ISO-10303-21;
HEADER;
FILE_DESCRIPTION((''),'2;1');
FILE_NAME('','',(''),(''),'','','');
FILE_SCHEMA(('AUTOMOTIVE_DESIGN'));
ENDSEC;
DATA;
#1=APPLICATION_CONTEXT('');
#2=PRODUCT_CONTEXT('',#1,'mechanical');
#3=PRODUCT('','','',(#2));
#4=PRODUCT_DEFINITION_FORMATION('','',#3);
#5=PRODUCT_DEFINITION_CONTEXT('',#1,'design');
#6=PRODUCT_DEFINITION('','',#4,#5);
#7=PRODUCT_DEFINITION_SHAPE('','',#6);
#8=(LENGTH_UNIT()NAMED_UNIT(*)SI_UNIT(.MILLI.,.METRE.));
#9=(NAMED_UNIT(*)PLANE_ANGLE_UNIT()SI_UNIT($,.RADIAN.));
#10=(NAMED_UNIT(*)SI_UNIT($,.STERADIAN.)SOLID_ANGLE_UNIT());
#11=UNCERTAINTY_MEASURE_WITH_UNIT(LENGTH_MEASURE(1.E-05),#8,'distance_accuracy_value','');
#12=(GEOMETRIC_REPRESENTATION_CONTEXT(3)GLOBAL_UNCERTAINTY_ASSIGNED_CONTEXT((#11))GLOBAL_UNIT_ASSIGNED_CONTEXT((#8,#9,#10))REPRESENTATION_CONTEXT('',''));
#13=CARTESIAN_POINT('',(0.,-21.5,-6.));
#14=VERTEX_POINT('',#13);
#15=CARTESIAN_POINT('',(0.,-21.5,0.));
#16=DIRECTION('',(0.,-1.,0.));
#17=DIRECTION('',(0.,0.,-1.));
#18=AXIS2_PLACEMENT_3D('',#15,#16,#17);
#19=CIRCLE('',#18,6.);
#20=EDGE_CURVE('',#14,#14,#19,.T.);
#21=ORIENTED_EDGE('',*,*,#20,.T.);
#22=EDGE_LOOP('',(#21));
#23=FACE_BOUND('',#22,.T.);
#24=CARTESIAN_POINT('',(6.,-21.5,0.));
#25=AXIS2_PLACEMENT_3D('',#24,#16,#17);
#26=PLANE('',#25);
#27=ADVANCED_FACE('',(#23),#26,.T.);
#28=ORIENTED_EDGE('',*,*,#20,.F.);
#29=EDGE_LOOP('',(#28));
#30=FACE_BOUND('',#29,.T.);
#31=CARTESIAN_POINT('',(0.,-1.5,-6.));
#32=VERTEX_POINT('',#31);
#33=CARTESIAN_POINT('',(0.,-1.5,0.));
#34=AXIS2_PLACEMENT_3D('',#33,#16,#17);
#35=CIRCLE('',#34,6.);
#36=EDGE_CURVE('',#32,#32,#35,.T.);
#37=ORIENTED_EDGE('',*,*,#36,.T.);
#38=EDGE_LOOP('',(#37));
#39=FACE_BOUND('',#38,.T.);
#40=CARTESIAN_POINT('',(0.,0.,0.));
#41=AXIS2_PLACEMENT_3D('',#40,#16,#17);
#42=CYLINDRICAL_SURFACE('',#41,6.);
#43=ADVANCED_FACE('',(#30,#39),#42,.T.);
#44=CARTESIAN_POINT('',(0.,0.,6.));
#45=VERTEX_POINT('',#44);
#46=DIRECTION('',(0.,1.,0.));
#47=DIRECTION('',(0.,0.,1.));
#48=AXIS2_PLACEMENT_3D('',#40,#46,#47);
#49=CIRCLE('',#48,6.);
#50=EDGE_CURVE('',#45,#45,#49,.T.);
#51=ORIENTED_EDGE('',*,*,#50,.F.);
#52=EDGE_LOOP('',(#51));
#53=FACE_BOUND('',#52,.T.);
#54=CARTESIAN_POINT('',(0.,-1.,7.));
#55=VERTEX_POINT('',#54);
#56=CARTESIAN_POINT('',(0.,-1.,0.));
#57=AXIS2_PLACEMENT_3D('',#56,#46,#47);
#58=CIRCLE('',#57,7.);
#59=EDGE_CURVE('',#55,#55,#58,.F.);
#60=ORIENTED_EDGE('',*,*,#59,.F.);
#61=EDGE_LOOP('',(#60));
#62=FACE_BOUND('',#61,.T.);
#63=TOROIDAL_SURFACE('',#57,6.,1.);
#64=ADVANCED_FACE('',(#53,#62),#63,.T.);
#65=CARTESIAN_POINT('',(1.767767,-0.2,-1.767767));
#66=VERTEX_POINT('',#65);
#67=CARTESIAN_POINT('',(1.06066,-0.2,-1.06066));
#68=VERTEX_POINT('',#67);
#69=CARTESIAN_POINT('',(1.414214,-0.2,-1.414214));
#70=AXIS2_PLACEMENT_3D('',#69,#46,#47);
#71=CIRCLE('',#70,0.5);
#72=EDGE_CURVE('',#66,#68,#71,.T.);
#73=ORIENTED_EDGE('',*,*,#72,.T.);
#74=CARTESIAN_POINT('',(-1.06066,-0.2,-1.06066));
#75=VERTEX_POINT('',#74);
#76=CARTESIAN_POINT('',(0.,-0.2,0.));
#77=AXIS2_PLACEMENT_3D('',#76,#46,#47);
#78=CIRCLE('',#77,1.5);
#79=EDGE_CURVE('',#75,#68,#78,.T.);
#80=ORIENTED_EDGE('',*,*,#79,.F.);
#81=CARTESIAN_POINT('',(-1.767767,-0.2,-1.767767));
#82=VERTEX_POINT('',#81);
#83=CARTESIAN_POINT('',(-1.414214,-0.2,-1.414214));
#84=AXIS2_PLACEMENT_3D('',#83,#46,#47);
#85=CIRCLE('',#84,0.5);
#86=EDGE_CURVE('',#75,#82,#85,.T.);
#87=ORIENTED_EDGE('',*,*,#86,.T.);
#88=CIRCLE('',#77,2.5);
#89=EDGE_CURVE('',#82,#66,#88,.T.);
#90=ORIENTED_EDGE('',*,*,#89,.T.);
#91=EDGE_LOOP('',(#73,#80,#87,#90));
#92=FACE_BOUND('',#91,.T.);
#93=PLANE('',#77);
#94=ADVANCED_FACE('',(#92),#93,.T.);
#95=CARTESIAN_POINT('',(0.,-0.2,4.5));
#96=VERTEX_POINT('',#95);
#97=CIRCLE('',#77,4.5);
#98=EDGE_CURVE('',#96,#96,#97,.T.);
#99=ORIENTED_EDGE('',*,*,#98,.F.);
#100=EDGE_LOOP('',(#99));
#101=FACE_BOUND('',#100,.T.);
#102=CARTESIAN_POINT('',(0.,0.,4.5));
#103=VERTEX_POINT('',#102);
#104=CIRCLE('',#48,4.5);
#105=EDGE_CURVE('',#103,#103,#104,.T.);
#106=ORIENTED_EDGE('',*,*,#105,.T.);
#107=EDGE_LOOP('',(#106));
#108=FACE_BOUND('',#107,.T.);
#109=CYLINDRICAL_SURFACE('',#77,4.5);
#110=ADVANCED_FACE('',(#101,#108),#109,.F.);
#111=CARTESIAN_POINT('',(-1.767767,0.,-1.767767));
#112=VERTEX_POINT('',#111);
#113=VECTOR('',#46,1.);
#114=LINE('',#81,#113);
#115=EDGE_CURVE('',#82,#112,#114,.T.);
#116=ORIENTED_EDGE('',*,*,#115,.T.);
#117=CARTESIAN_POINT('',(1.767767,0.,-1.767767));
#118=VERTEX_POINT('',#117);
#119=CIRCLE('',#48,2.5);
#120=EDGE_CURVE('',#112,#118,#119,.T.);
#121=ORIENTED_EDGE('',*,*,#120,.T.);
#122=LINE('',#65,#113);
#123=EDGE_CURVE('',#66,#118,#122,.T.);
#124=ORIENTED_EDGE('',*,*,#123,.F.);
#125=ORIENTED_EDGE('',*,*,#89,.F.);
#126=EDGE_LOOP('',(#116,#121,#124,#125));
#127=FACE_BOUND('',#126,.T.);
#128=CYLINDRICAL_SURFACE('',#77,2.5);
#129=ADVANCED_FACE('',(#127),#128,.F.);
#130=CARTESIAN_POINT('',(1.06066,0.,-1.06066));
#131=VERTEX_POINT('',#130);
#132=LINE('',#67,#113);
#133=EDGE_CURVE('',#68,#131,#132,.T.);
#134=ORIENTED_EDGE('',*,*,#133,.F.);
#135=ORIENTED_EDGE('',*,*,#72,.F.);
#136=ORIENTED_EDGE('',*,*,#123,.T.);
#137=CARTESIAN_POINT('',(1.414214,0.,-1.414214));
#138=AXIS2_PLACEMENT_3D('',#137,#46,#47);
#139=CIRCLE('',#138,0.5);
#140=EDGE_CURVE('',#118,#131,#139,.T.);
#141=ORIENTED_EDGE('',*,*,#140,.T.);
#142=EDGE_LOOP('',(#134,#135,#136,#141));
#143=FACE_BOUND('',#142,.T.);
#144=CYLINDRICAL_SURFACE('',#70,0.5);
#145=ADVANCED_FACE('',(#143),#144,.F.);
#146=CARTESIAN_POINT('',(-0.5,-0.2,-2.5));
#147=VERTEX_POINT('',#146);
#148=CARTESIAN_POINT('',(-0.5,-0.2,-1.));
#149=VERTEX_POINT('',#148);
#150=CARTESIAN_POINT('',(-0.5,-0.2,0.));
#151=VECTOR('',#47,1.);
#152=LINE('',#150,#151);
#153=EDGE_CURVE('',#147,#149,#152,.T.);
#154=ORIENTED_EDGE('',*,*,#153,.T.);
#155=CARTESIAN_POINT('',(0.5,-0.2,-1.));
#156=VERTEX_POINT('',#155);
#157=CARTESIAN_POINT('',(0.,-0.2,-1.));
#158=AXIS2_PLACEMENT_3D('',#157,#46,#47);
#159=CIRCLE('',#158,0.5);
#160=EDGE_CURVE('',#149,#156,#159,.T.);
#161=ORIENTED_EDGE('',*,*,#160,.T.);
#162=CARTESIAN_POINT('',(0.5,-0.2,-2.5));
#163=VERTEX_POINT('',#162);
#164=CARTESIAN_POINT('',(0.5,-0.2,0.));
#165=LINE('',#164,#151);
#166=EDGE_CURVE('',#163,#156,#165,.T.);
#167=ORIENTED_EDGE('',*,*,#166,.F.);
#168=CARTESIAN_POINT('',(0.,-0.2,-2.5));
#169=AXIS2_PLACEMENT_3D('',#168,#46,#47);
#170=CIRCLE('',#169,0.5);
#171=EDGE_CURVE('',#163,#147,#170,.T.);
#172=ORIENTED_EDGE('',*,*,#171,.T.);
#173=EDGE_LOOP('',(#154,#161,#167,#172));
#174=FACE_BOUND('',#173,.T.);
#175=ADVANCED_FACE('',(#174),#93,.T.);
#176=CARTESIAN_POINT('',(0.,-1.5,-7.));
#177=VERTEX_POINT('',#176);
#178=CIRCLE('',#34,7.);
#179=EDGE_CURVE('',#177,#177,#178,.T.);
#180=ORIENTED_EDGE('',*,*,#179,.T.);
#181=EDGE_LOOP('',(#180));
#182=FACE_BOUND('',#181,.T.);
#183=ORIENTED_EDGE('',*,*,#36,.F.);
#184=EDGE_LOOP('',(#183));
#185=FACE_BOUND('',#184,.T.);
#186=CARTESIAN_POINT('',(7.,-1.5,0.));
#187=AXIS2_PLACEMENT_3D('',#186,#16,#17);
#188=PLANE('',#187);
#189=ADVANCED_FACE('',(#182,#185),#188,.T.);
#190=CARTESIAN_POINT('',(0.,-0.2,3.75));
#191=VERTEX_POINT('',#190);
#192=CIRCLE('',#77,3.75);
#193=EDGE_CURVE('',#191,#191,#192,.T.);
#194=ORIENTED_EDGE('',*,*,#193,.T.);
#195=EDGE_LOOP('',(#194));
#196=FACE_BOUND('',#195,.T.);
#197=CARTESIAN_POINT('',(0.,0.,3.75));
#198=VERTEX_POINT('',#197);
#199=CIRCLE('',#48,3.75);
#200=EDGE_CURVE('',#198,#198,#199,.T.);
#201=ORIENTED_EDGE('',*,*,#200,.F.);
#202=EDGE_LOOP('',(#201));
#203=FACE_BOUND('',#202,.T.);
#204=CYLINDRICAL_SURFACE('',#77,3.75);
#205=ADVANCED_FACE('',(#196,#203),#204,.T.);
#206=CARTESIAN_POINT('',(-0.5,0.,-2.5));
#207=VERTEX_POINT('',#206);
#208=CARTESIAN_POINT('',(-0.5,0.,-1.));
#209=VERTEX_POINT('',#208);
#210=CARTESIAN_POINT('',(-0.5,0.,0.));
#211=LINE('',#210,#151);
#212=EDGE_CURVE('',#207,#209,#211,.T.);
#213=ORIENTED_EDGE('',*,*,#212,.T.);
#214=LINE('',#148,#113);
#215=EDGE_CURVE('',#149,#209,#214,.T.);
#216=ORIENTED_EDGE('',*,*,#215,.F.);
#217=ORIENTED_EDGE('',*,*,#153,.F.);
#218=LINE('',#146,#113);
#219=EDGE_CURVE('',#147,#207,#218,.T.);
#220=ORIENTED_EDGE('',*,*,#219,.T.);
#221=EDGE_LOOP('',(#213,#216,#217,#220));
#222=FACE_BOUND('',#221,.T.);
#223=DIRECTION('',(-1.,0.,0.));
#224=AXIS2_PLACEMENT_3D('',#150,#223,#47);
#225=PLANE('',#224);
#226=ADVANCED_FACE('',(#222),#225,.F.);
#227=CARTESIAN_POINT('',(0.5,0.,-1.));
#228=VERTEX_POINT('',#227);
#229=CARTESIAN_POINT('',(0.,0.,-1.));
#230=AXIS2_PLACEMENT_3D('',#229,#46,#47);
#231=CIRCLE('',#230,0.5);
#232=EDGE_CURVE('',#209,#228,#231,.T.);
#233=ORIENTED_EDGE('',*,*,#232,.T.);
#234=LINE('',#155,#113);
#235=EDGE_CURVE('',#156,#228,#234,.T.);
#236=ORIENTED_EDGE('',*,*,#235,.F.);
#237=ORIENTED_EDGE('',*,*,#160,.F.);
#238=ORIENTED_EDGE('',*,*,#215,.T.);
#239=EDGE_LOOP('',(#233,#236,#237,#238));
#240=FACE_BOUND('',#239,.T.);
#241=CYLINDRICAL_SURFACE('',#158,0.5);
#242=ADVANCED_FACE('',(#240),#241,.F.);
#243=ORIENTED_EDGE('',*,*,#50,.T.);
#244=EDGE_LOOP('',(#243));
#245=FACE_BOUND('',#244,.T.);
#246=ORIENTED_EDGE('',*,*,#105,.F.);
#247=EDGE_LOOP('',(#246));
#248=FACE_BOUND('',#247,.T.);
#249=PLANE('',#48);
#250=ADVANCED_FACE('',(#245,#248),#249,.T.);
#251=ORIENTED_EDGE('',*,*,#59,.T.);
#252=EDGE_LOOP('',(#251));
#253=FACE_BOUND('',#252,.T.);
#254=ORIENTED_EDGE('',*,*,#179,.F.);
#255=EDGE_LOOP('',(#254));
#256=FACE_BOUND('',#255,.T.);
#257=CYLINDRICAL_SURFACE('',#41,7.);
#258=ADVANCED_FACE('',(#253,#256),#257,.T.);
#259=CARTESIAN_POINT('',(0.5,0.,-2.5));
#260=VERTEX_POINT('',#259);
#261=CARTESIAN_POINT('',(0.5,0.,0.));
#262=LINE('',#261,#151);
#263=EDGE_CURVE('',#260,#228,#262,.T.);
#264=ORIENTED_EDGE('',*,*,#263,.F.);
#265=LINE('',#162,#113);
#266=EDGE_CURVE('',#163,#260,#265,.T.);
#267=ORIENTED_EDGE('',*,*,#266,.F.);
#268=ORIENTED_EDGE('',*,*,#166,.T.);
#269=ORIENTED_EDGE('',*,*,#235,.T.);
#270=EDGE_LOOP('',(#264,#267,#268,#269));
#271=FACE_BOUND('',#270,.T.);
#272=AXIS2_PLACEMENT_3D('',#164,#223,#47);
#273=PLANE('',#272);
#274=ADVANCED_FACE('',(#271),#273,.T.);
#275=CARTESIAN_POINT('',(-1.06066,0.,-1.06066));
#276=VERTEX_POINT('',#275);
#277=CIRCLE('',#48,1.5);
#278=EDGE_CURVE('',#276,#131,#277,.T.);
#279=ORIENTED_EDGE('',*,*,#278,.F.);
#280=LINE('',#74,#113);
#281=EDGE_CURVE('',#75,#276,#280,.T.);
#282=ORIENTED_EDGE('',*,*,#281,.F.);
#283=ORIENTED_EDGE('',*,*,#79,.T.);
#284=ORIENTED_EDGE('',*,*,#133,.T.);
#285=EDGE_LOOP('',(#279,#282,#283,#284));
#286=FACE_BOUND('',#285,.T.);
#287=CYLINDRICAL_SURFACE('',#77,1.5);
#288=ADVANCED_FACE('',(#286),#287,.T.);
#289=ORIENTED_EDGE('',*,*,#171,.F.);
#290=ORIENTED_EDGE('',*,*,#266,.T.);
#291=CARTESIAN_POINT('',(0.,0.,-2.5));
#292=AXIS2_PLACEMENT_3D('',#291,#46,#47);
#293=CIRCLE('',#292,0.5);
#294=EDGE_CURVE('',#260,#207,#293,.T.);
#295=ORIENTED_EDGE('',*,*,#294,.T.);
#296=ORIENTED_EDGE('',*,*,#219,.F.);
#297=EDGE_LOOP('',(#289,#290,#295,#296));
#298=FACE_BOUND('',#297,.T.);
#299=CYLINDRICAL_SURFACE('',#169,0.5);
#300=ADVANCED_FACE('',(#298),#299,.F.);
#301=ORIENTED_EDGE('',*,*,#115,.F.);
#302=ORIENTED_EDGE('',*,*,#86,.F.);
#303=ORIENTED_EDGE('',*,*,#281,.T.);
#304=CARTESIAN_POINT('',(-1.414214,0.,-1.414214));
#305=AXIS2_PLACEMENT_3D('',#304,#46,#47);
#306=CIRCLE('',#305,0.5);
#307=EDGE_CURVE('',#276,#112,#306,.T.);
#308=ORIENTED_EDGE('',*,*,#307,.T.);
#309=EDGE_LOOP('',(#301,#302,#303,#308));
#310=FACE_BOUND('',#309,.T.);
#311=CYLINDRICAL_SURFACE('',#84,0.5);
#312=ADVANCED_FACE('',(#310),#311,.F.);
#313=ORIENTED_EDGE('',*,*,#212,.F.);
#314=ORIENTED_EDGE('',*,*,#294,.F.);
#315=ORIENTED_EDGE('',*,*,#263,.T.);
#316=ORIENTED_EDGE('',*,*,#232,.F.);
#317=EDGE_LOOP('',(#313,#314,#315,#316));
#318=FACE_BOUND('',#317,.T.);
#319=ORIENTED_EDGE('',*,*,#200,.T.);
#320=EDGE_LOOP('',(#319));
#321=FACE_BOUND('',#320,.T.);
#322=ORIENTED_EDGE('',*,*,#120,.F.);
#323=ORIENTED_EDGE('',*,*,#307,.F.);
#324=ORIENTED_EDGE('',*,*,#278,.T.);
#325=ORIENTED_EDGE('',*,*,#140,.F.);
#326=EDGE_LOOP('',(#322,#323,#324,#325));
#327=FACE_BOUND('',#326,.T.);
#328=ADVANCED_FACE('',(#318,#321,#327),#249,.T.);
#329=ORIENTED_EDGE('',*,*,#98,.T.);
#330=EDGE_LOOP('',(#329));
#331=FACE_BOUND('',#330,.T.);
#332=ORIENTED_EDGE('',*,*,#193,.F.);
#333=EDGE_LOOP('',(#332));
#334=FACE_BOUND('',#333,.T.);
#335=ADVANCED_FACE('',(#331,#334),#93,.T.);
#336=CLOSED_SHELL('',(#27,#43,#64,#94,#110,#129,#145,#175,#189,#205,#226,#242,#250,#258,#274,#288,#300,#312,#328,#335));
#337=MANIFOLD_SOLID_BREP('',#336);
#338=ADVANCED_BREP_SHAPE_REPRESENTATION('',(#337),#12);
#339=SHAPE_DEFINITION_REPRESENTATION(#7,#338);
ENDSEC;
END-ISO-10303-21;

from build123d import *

# Parameters (mm, degrees)
FILLET_1_R          = 1
SKETCH_2_R          = 4.5
SKETCH_2_R_2        = 3.75
CUT_EXTRUDE_1_DEPTH = 0.2


with BuildPart() as part:
    # 草图1 → 旋转1 (revolve)
    with BuildSketch(Plane.XY, mode=Mode.PRIVATE) as revolve_1_sk:
        Polygon((0, 0), (7, 0), (7, -1.5), (6, -1.5), (6, -21.5), (0, -21.5), align=None)
    revolve(revolve_1_sk.sketch.rotate(Axis((0, 0, 0), (0, 1, 0)), 90), axis=Axis((0, 0, 0), (0, 1, 0)))

    # 圆角1
    fillet_1_edges = [part.edges().sort_by_distance(p)[0] for p in [
        (0, 0, 7),
    ]]
    fillet(fillet_1_edges, radius=FILLET_1_R)

    # 草图2 → 切除-拉伸1 (cut)
    # profile 1 of 3: a face of its own
    with BuildSketch(Plane(origin=(0, 0, 0), x_dir=(1, 0, 0), z_dir=(0, 1, 0))):
        with Locations(Location((0, 0, 0), (0, 0, 270))):
            Circle(SKETCH_2_R)
        with Locations(Location((0, 0, 0), (0, 0, 270))):
            Circle(SKETCH_2_R_2, mode=Mode.SUBTRACT)
    # profile 2 of 3: a face of its own
    with BuildSketch(Plane(origin=(0, 0, 0), x_dir=(1, 0, 0), z_dir=(0, 1, 0))):
        with BuildLine():
            ThreePointArc((-1.767766953, 1.767766953), (0, -2.5), (1.767766953, 1.767766953))
            ThreePointArc((1.767766953, 1.767766953), (1.060660172, 1.767766953), (1.060660172, 1.060660172))
            ThreePointArc((1.060660172, 1.060660172), (0, -1.5), (-1.060660172, 1.060660172))
            ThreePointArc((-1.060660172, 1.060660172), (-1.060660172, 1.767766953), (-1.767766953, 1.767766953))
        make_face()
    # profile 3 of 3: a face of its own
    with BuildSketch(Plane(origin=(0, 0, 0), x_dir=(1, 0, 0), z_dir=(0, 1, 0))):
        with BuildLine():
            Line((-0.5, 2.5), (-0.5, 1))
            ThreePointArc((-0.5, 1), (0, 0.5), (0.5, 1))
            Line((0.5, 1), (0.5, 2.5))
            ThreePointArc((0.5, 2.5), (0, 3), (-0.5, 2.5))
        make_face()
    extrude(amount=-CUT_EXTRUDE_1_DEPTH, mode=Mode.SUBTRACT)


solid = part.part
